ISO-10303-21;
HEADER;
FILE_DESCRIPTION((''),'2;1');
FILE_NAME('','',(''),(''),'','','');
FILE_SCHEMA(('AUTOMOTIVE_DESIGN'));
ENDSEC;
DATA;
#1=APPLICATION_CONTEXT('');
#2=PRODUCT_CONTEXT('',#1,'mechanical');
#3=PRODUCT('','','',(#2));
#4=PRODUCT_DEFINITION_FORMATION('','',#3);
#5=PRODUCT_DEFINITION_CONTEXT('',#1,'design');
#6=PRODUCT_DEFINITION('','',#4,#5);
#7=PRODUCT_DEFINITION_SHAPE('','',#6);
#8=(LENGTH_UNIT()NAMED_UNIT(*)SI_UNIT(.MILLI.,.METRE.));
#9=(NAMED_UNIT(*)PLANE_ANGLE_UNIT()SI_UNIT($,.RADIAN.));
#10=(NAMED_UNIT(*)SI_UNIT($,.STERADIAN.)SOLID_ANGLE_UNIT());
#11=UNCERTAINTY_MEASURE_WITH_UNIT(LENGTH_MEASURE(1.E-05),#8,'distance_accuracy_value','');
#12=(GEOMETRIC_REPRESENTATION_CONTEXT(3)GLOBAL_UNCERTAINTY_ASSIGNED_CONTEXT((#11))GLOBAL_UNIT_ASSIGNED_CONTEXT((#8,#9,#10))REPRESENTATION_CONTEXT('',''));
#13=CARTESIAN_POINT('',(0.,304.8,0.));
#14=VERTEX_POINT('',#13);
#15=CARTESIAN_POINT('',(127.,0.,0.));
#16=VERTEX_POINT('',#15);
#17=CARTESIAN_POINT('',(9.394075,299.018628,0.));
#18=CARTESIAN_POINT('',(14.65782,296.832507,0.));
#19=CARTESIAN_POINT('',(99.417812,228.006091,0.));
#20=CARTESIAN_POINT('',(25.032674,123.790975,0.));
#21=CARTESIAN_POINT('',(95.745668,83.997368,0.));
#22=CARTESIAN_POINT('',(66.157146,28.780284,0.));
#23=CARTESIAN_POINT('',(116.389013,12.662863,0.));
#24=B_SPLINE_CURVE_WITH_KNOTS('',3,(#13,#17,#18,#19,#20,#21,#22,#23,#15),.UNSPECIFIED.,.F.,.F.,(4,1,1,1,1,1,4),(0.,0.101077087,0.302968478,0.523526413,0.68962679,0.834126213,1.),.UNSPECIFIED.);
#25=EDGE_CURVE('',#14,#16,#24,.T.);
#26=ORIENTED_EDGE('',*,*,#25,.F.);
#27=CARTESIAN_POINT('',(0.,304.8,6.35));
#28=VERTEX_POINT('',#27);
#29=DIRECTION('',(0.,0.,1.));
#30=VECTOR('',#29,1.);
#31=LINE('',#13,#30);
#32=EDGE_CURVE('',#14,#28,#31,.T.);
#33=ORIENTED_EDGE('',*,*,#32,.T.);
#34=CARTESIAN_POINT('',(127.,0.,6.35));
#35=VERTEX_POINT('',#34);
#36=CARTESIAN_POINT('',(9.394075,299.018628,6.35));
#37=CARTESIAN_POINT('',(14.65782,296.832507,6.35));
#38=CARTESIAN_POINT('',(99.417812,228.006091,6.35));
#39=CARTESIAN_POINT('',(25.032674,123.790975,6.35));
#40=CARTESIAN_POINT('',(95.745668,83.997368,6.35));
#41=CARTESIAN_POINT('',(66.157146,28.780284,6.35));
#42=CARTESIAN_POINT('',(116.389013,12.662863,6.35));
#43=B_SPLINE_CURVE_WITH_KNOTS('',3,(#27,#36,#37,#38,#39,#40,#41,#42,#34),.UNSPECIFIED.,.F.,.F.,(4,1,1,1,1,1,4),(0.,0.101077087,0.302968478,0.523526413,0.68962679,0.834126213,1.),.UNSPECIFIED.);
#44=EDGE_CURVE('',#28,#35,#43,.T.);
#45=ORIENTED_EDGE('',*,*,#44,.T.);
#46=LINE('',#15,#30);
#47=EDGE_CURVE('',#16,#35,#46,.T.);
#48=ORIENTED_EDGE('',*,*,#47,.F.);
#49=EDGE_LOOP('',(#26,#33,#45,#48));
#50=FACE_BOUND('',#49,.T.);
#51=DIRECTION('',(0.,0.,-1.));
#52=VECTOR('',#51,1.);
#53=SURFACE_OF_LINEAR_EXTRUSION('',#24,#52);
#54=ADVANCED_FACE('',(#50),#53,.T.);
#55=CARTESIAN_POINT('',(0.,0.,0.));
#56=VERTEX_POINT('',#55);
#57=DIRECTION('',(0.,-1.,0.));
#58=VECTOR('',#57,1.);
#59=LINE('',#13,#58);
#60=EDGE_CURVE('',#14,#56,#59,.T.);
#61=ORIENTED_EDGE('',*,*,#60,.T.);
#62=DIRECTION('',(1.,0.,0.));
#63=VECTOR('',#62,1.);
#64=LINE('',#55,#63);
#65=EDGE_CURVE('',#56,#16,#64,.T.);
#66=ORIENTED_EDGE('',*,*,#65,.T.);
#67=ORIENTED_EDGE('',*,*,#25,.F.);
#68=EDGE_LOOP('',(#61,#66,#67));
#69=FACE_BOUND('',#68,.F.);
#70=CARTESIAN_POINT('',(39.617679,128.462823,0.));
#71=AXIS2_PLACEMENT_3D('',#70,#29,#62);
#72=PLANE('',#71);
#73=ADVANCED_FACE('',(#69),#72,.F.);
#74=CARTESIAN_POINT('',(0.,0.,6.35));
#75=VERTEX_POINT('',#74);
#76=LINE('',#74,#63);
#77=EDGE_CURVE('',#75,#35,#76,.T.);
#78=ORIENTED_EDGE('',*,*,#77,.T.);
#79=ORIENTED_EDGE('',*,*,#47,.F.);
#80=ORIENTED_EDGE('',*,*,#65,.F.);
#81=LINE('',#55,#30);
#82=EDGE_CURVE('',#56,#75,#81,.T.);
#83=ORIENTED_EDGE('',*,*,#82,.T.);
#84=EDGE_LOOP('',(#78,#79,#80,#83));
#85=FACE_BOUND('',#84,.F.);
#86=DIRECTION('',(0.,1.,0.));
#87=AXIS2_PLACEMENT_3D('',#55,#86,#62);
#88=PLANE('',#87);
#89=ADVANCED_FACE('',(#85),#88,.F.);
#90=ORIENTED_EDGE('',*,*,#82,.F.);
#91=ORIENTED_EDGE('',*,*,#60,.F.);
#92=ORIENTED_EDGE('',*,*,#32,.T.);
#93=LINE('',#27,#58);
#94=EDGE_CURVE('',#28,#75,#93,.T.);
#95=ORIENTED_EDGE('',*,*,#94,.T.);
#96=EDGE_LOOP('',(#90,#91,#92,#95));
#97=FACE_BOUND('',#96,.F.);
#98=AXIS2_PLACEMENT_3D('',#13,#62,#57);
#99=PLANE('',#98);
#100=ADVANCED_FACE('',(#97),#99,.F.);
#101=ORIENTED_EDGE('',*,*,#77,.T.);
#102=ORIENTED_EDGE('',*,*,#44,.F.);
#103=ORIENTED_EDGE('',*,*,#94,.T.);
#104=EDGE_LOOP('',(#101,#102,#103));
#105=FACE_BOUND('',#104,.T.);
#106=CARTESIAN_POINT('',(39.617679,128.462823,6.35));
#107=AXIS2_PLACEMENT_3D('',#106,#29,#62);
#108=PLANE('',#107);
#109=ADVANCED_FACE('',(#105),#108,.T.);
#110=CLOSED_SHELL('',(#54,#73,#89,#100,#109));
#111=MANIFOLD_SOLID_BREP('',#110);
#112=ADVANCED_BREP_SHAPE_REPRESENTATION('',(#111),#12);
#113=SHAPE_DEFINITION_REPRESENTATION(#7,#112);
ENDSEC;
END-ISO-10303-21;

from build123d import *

# Parameters (mm, degrees)
F1_DEPTH = 6.35


with BuildPart() as f1:
    # F0 (on Top) → F1 (new body)
    with BuildSketch(Plane.XY):
        with BuildLine():
            Line((0, 304.8), (0, 0))
            Line((0, 0), (127, 0))
            add(Edge.make_bspline(
                [(0, 304.8), (9.394075247, 299.0186276837), (14.6578200296, 296.8325071427), (99.4178119872, 228.0060913972), (25.0326739707, 123.7909754538), (95.7456679987, 83.997368271), (66.1571460036, 28.7802841359), (116.3890130568, 12.6628632518), (127, 0)],
                knots=[0, 0, 0, 0, 0.1010770871, 0.302968478, 0.5235264126, 0.6896267895, 0.8341262132, 1, 1, 1, 1], degree=3))
        make_face()
    extrude(amount=F1_DEPTH)


solid = f1.part
